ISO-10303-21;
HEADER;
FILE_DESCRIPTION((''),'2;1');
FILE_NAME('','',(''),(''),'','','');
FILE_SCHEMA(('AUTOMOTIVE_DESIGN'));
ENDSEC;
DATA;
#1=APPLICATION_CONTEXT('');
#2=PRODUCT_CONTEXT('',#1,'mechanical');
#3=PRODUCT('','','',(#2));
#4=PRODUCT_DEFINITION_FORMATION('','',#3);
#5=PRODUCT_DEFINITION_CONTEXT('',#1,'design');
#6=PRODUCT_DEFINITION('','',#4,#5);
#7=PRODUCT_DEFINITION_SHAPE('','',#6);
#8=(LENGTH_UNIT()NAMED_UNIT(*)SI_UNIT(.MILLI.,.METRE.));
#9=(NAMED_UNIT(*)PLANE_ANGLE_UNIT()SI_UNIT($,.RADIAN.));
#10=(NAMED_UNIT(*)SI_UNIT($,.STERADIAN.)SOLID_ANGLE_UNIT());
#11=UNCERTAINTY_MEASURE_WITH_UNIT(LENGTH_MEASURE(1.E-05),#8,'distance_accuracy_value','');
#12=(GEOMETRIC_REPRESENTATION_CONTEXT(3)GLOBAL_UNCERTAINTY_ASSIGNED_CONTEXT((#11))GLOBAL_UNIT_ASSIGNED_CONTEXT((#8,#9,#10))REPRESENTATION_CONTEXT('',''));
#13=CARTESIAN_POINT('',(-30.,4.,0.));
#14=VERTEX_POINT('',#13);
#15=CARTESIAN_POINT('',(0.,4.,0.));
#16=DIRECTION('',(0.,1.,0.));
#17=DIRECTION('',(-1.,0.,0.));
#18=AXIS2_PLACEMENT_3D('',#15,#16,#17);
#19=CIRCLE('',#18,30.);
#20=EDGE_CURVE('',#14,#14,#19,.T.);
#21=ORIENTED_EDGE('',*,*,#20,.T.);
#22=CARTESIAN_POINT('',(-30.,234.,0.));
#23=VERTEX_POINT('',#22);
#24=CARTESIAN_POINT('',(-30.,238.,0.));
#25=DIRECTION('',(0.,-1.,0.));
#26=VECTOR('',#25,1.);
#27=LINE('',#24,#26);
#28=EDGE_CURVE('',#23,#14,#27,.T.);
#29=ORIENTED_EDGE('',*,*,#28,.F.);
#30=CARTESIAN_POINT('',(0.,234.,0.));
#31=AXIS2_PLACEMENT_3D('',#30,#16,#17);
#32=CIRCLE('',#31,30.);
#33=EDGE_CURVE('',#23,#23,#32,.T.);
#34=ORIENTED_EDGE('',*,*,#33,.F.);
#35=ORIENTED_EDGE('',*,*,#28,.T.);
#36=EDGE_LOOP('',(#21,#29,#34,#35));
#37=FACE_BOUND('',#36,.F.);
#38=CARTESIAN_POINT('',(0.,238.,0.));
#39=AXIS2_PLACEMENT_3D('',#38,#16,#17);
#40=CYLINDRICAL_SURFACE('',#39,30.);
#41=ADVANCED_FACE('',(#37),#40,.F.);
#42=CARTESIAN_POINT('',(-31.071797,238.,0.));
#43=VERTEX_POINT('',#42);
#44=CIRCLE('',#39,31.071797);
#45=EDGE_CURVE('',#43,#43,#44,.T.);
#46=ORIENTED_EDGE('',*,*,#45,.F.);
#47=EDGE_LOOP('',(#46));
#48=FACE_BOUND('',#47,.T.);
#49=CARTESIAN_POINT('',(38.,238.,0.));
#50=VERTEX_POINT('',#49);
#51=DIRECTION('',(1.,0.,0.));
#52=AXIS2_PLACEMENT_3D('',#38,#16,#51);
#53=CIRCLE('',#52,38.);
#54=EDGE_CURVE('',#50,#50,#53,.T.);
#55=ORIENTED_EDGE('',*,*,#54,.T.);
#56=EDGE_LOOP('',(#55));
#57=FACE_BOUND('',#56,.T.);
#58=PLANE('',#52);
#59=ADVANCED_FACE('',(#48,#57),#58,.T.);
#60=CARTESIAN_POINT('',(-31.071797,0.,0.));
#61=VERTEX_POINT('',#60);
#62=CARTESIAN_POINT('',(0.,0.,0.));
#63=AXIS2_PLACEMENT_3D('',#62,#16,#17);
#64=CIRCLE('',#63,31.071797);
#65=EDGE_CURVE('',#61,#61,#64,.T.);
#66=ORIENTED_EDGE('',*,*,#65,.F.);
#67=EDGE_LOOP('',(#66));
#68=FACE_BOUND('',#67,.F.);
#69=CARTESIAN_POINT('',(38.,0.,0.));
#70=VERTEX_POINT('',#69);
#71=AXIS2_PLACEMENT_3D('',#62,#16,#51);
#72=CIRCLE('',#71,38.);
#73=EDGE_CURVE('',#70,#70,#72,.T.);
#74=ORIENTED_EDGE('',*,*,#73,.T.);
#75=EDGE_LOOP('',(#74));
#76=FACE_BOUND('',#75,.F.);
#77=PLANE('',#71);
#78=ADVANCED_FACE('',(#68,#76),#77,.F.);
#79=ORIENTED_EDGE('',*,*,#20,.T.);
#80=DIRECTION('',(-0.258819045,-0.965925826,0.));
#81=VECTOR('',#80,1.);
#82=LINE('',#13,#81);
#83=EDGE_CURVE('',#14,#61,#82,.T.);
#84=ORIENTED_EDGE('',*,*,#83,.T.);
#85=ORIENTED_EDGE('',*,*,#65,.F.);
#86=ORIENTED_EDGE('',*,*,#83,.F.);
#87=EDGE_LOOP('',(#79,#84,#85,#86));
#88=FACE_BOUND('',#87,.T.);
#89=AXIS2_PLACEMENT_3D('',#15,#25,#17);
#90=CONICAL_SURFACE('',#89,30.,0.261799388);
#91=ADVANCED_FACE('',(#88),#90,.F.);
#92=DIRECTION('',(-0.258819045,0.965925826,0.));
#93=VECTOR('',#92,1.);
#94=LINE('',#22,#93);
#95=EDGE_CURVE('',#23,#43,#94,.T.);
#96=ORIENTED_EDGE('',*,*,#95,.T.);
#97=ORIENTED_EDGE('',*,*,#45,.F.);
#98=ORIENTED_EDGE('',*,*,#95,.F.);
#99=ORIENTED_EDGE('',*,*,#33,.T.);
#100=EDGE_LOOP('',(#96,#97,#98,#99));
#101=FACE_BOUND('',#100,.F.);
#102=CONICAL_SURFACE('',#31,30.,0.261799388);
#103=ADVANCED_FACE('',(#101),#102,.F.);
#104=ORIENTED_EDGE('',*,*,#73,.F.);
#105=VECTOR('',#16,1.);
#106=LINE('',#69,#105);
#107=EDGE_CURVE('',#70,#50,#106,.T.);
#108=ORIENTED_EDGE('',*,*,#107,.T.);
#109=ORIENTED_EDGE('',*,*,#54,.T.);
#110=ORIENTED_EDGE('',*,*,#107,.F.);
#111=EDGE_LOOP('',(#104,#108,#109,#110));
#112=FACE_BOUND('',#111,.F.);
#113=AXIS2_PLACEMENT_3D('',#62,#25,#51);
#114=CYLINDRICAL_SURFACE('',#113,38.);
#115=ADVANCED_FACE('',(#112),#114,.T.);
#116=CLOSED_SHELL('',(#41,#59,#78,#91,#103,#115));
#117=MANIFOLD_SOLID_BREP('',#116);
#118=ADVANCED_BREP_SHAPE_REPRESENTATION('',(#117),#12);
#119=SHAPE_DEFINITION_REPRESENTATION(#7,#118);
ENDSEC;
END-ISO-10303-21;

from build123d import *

# Parameters (mm, degrees)
SKETCH1_R          = 38
EXTRUDE1_DEPTH     = 238
SKETCH2_R          = 30
CUT_EXTRUDE1_DEPTH = 239
CHAMFER1_SIZE      = 4
CHAMFER1_SIZE2     = 1.07179677
CHAMFER2_SIZE      = 4
CHAMFER2_SIZE2     = 1.07179677


with BuildPart() as part:
    # Sketch1 → Extrude1 (new body)
    with BuildSketch(Plane(origin=(0, 0, 0), x_dir=(1, 0, 0), z_dir=(0, 1, 0))):
        Circle(SKETCH1_R)
    extrude(amount=EXTRUDE1_DEPTH)

    # Sketch2 → Cut-Extrude1 (cut, through all)
    with BuildSketch(Plane(origin=(0, 238, 0), x_dir=(-1, 0, 0), z_dir=(0, 1, 0))):
        Circle(SKETCH2_R)
    extrude(amount=-CUT_EXTRUDE1_DEPTH, mode=Mode.SUBTRACT)

    # Chamfer1
    chamfer1_edges = [part.edges().sort_by_distance(p)[0] for p in [
        (30, 0, 0),
    ]]
    chamfer1_side = [part.faces().sort_by_distance(p)[0] for p in [
        (30, 119, 0),
    ]]
    chamfer(chamfer1_edges, length=CHAMFER1_SIZE, length2=CHAMFER1_SIZE2, reference=chamfer1_side[0])

    # Chamfer2
    chamfer2_edges = [part.edges().sort_by_distance(p)[0] for p in [
        (30, 238, 0),
    ]]
    chamfer2_side = [part.faces().sort_by_distance(p)[0] for p in [
        (30, 121, 0),
    ]]
    chamfer(chamfer2_edges, length=CHAMFER2_SIZE, length2=CHAMFER2_SIZE2, reference=chamfer2_side[0])


solid = part.part
